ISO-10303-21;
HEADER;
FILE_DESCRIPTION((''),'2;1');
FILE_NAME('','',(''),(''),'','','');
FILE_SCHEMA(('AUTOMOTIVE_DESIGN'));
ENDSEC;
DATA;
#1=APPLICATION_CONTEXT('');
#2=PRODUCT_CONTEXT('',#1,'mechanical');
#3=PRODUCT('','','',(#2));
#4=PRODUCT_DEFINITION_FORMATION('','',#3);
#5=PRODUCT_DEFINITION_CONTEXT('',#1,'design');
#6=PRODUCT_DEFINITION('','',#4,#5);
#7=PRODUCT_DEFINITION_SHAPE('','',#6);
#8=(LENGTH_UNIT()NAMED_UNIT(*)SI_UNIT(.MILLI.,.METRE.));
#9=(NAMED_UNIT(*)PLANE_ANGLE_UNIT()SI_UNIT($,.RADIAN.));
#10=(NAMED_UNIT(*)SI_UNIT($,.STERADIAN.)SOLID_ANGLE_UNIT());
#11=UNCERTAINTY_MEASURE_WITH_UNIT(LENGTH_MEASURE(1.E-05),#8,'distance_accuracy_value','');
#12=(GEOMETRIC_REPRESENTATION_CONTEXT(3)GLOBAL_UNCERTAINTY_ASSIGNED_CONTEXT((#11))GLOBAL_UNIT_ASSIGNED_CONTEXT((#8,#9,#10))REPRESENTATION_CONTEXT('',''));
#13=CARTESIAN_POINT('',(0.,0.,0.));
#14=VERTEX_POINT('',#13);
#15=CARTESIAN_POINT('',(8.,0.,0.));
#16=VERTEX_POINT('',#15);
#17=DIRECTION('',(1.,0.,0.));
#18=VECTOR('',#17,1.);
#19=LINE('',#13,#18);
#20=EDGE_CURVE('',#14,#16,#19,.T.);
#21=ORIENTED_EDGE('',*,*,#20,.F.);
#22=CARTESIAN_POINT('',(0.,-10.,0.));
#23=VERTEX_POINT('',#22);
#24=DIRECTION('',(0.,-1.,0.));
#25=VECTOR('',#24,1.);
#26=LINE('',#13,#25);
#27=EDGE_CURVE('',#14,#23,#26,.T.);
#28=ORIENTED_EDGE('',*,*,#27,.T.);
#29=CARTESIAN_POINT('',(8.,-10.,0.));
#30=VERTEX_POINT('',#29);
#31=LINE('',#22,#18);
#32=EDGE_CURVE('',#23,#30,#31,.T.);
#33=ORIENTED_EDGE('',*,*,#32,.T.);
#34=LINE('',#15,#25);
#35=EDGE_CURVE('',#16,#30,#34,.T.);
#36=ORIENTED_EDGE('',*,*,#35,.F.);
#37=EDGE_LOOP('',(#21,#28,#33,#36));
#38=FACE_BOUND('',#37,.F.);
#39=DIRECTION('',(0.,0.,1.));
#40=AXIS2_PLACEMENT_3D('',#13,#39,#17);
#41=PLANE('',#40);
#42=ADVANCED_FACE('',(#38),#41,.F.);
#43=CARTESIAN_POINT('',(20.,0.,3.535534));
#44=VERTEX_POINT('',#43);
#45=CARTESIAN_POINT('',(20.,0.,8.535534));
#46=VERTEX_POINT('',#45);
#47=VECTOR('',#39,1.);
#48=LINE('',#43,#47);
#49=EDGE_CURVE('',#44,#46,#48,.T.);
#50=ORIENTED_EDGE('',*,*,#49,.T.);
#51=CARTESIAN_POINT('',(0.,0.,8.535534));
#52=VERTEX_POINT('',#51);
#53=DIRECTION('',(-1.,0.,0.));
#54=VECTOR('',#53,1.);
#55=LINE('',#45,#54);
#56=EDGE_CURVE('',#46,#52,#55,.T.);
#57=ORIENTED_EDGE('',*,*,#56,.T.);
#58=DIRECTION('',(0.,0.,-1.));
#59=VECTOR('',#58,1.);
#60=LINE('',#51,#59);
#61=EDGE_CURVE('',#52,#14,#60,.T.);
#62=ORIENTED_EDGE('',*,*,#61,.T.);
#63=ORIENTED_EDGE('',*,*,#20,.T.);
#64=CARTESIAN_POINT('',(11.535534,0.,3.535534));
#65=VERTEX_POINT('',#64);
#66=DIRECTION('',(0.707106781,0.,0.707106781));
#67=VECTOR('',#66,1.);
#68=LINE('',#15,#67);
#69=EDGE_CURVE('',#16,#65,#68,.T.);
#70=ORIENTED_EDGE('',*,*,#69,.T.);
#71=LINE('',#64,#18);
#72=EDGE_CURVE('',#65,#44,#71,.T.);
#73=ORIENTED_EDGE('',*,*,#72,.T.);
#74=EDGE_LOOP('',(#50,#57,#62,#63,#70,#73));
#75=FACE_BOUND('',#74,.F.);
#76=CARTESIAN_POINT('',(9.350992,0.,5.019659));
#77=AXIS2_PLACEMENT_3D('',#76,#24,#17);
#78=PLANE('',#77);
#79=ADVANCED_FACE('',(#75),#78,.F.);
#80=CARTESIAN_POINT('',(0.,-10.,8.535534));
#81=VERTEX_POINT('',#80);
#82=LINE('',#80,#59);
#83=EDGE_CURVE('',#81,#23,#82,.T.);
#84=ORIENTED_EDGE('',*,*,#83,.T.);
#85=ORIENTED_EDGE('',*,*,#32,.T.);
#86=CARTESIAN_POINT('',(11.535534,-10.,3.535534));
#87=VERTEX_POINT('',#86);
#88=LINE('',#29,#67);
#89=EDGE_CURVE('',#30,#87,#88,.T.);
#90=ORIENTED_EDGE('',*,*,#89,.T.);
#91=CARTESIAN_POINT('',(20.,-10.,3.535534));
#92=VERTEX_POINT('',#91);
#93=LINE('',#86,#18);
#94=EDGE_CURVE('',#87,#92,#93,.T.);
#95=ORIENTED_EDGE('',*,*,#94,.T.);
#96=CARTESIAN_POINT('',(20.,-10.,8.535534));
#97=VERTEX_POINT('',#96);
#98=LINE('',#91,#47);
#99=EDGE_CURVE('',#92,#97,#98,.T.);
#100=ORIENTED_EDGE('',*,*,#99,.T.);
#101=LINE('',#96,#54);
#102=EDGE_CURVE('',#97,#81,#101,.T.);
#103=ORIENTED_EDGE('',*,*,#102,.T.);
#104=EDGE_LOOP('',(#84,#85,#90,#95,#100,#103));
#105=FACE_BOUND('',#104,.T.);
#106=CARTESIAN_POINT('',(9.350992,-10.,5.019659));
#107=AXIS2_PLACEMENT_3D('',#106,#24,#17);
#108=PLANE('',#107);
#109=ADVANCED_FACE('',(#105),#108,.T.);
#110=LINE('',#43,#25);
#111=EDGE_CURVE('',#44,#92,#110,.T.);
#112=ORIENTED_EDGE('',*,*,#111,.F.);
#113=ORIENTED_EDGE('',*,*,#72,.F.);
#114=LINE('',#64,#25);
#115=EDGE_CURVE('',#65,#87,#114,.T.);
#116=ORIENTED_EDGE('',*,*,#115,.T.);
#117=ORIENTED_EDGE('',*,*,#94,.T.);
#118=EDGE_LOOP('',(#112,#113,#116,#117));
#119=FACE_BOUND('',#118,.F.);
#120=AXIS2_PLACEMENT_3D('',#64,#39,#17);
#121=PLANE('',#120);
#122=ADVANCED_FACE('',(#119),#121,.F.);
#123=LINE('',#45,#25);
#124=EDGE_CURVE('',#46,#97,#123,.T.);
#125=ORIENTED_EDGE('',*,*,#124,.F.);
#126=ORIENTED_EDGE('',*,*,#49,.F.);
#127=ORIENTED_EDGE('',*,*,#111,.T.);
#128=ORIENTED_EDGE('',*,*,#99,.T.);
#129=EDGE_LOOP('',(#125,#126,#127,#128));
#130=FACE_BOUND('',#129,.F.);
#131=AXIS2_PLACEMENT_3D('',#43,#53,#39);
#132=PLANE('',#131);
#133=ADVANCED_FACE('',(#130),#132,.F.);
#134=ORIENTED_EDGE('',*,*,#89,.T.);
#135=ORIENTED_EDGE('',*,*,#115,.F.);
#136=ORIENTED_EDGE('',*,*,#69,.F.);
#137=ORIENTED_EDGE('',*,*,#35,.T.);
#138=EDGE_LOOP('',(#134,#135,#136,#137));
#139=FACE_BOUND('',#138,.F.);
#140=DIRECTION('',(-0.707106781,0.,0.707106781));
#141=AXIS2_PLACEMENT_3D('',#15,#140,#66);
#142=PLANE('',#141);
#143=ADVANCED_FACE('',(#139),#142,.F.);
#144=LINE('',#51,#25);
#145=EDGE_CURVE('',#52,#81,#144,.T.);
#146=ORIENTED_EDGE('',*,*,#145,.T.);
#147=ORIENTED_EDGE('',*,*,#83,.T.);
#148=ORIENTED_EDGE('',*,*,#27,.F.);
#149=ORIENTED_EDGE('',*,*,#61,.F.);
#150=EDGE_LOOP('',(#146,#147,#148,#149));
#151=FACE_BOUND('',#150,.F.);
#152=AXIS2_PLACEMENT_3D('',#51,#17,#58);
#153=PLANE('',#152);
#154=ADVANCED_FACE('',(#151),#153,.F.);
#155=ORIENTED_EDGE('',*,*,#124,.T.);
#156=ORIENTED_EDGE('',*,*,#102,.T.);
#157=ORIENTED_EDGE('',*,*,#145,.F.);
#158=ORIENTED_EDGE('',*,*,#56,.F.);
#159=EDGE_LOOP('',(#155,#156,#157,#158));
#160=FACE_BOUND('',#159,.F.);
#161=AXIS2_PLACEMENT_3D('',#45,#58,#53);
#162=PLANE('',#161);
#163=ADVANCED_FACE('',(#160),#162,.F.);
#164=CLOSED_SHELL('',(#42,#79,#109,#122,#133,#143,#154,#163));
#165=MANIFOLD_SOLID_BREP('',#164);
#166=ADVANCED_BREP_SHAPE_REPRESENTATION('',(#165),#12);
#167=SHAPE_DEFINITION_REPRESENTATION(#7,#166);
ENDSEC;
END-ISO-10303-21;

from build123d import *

# Parameters (mm, degrees)
PAD_DEPTH            = 10
BODY_PLACEMENT_ANGLE = 90


with BuildPart() as part:
    # Sketch → Pad (new body)
    with BuildSketch(Plane.XY):
        Polygon((0, 0), (8, 0), (11.535534, 3.535534), (20, 3.535534), (20, 8.535534), (0, 8.535534), align=None)
    extrude(amount=PAD_DEPTH)


with BuildPart() as part_1:
    # Body placement: moved
    add(part.part.rotate(Axis((0, 0, 0), (1, 0, 0)), BODY_PLACEMENT_ANGLE))


solid = part_1.part
